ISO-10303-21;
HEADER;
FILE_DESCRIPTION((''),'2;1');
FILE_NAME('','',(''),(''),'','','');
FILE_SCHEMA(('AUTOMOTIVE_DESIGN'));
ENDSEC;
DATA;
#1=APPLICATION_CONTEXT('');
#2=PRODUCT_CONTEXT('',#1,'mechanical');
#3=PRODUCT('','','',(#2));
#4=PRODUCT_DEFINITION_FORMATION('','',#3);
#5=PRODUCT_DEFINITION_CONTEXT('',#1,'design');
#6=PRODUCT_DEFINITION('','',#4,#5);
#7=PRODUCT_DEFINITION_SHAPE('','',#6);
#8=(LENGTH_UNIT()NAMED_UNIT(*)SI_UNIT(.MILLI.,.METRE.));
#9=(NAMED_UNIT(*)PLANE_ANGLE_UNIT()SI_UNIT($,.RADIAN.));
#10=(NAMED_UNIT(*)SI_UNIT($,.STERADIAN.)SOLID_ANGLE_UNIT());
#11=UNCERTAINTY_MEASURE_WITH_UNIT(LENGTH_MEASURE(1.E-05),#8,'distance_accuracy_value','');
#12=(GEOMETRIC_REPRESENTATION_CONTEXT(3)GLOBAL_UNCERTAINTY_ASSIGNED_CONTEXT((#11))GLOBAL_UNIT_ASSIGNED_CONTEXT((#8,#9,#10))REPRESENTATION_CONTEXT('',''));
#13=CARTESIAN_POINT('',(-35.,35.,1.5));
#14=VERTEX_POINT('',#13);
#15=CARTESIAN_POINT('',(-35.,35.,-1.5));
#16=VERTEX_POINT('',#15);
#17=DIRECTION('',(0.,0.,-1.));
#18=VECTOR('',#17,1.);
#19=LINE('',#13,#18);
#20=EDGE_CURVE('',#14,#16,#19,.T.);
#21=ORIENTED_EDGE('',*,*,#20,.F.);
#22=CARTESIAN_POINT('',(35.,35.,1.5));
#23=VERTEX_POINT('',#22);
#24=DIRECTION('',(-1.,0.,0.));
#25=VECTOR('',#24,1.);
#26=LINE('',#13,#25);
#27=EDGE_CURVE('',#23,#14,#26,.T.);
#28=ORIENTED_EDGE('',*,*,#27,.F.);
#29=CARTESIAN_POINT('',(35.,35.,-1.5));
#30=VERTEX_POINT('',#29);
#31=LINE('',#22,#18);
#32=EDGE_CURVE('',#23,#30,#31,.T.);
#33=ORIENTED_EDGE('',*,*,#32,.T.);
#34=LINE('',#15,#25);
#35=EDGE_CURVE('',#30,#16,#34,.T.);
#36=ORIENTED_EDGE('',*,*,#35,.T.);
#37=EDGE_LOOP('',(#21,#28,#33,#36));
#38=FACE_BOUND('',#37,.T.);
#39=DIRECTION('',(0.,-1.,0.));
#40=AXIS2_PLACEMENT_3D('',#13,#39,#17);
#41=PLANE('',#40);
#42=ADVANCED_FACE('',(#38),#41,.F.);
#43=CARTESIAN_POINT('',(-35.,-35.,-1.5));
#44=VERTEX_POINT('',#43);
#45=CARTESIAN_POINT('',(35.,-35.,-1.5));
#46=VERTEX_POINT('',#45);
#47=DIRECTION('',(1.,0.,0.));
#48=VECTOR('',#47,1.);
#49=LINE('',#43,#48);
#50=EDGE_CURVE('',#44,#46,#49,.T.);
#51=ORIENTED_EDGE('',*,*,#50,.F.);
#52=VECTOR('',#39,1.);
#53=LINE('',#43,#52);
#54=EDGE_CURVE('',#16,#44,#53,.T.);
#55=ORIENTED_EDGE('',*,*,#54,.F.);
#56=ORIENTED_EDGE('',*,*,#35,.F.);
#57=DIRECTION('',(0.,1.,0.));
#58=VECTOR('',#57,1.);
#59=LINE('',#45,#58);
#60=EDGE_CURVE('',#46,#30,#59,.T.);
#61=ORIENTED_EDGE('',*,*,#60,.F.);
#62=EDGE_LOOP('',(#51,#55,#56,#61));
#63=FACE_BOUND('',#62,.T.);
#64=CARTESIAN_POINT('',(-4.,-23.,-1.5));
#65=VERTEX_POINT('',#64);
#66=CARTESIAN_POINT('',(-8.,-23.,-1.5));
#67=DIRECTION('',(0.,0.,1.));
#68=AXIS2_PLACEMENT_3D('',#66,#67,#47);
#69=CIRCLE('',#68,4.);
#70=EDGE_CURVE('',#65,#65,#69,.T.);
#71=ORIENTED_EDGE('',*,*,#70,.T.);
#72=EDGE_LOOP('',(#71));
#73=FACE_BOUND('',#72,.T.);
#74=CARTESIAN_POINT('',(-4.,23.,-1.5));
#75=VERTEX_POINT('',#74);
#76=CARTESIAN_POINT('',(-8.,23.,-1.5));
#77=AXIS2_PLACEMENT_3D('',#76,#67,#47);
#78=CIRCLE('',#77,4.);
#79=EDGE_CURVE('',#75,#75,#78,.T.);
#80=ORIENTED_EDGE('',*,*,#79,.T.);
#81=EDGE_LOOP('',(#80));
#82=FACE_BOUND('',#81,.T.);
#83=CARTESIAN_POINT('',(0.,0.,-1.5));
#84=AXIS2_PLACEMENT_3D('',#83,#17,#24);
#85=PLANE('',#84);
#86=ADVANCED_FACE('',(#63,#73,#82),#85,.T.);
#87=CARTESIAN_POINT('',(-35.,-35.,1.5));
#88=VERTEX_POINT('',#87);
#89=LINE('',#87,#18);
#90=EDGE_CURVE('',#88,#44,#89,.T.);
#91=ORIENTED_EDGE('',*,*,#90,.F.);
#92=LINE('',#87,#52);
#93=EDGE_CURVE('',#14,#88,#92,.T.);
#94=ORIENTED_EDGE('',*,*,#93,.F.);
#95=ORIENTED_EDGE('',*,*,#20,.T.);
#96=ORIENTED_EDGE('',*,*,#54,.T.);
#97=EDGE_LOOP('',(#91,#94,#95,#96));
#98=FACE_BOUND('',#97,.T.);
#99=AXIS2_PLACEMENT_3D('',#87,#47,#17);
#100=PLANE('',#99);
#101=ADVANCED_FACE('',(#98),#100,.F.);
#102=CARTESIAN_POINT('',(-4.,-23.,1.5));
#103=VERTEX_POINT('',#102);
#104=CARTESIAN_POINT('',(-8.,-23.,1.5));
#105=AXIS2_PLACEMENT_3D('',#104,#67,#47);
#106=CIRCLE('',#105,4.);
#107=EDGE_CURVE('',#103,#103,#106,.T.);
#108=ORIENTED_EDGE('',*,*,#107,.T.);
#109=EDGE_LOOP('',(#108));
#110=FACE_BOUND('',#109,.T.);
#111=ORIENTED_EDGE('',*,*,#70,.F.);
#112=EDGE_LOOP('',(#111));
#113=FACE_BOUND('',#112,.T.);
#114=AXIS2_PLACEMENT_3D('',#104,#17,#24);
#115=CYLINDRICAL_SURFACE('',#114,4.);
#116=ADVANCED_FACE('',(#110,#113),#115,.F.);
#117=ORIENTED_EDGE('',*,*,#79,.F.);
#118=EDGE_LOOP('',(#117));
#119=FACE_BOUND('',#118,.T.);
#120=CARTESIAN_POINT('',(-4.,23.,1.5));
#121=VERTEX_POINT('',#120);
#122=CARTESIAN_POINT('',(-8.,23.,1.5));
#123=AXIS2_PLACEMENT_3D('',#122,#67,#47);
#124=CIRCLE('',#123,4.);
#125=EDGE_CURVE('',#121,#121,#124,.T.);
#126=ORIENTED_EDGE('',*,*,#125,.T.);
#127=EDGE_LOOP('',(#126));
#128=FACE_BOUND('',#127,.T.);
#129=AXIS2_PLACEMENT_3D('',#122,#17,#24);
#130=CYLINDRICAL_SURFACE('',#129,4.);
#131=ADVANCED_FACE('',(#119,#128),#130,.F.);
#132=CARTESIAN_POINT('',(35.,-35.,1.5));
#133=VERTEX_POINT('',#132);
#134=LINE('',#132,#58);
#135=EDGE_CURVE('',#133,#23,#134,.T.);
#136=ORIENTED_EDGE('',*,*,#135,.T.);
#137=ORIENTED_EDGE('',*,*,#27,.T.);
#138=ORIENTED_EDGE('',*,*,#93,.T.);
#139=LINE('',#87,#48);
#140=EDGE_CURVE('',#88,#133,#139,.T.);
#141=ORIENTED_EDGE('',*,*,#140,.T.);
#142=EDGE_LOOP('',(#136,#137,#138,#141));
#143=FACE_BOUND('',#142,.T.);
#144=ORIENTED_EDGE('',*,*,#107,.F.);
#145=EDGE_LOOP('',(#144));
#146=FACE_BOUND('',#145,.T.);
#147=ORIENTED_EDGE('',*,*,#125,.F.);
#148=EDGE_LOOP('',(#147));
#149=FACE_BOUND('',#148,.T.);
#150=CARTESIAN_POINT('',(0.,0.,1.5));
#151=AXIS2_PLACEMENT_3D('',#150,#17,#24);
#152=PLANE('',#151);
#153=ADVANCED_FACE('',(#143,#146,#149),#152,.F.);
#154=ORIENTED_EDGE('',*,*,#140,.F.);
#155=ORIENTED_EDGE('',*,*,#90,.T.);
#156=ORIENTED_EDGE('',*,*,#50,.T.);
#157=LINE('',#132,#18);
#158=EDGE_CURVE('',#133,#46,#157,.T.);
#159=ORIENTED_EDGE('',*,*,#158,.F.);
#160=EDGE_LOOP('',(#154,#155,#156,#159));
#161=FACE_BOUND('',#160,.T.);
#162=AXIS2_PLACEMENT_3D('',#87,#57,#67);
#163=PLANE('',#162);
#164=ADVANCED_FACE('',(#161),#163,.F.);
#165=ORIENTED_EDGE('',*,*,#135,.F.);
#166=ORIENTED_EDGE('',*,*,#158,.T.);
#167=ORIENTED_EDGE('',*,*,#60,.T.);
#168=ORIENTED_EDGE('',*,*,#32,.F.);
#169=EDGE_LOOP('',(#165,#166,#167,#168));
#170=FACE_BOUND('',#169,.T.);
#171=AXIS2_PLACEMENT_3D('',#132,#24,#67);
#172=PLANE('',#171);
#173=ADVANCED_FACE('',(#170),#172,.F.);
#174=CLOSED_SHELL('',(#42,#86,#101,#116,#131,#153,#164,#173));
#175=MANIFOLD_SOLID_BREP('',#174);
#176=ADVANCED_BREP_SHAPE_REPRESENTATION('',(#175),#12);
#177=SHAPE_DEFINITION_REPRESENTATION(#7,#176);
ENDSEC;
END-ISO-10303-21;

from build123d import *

# Parameters (mm, degrees)
SKETCH1_W           = 70
SKETCH1_H           = 70
SKETCH1_R           = 4
BOSS_EXTRUDE1_DEPTH = 1.5


with BuildPart() as part:
    # Sketch1 → Boss-Extrude1 (new, symmetric)
    with BuildSketch(Plane.XY):
        Rectangle(SKETCH1_W, SKETCH1_H)
        with Locations((-8, -23)):
            Circle(SKETCH1_R, mode=Mode.SUBTRACT)
        with Locations((-8, 23)):
            Circle(SKETCH1_R, mode=Mode.SUBTRACT)
    extrude(amount=BOSS_EXTRUDE1_DEPTH, both=True)


solid = part.part
